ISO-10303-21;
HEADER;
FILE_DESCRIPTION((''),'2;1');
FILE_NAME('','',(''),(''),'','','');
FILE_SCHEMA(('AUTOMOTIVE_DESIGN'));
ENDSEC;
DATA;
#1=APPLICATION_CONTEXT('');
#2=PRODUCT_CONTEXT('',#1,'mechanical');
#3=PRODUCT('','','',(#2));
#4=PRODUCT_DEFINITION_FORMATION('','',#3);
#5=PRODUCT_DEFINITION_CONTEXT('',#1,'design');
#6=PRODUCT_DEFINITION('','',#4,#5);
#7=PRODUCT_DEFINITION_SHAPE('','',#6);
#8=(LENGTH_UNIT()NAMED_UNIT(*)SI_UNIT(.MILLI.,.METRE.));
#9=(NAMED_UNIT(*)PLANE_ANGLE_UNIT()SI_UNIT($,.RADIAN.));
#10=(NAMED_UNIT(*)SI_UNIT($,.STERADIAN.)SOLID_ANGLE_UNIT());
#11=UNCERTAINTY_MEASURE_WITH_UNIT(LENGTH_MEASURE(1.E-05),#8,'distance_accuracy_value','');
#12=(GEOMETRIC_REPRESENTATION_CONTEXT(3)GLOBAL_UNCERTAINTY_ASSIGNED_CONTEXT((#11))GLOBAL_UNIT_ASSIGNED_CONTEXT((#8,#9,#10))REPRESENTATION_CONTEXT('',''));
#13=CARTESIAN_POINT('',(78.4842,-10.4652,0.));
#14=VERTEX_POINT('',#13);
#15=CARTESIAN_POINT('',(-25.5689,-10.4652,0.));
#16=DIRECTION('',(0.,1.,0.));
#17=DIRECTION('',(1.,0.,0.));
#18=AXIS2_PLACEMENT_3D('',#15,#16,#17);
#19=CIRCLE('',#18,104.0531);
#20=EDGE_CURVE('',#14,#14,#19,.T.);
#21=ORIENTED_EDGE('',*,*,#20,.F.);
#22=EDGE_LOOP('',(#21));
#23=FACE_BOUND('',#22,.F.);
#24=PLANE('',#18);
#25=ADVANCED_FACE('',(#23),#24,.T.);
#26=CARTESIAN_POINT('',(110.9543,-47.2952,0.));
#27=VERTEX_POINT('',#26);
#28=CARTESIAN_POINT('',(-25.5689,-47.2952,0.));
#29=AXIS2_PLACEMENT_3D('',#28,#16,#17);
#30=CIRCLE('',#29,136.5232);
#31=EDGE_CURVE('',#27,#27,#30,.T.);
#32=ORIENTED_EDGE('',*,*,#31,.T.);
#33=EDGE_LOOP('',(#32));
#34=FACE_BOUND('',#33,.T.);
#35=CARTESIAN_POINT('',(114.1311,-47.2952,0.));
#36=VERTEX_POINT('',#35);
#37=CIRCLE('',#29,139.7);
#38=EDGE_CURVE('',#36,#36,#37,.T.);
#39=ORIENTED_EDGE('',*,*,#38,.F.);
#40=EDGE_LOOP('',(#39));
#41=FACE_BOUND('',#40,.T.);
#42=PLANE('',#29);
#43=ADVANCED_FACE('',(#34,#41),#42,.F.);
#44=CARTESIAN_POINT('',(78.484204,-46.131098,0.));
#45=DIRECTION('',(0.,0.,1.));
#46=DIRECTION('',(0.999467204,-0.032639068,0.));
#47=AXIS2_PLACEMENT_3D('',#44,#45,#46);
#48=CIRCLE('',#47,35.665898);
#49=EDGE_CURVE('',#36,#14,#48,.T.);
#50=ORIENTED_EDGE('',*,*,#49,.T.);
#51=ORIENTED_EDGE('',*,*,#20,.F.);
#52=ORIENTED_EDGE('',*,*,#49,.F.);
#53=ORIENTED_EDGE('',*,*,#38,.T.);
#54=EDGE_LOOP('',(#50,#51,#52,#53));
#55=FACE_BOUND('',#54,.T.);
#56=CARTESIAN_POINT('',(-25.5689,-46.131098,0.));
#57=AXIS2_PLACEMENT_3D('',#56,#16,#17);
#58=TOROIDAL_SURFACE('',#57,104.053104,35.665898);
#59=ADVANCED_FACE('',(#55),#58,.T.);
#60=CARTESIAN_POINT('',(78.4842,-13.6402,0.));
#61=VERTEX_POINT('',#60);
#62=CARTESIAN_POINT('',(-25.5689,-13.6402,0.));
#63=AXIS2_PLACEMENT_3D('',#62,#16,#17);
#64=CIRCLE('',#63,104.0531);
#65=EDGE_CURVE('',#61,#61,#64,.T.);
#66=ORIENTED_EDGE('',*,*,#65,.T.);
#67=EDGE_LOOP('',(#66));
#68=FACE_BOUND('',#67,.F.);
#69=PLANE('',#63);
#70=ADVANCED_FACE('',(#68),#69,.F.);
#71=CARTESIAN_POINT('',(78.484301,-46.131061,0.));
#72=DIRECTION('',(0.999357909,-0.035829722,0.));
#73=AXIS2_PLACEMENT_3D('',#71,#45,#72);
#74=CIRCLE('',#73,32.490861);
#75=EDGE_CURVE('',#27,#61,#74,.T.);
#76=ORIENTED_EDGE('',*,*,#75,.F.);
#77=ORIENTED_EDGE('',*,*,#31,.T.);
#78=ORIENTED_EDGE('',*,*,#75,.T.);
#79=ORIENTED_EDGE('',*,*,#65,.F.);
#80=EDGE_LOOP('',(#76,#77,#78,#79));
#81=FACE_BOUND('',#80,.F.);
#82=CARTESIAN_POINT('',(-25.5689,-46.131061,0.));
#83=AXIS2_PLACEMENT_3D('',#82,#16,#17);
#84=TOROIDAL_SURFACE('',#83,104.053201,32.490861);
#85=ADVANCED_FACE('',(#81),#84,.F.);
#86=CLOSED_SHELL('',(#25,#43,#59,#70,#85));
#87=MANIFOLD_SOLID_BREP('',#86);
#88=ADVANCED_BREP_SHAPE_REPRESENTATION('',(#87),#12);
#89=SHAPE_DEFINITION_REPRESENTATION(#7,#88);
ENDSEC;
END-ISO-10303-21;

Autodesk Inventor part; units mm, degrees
ref_plane "YZ Plane" through (0, 0, 0) normal (1, 0, 0) x (0, 1, 0)
ref_plane "XZ Plane" through (0, 0, 0) normal (0, 1, 0) x (-1, 0, 0)
ref_plane "XY Plane" through (0, 0, 0) normal (0, 0, 1) x (1, 0, 0)
sketch "Sketch1" plane through (0, 0, 0) normal (0, 0, 1) x (1, 0, 0)
  line L0 (-25.5689, -10.4652) -> (78.4842, -10.4652)
  arc A0 (114.1311, -47.2952) -> (78.4842, -10.4652) centre (78.4842, -46.1311) ccw
  arc A1 (110.9543, -47.2952) -> (78.4842, -13.6402) centre (78.4842, -46.1311) ccw
  line L1 (78.4842, -13.6402) -> (-25.5689, -13.6402)
  line L2 (-25.5689, -13.6402) -> (-25.5689, -10.4652)
  line L3 (110.9543, -47.2952) -> (114.1311, -47.2952)
  point P0 (0, 0)
  dimension "d0" = 139.7
  dimension "d1" = 36.83
  dimension "d2" = 3.175
revolve "Revolution1" add sketch "Sketch1" angle 360 about axis through (-25.5689, -13.6402, 0) along (0, 1, 0)
properties part number "frisbee"
